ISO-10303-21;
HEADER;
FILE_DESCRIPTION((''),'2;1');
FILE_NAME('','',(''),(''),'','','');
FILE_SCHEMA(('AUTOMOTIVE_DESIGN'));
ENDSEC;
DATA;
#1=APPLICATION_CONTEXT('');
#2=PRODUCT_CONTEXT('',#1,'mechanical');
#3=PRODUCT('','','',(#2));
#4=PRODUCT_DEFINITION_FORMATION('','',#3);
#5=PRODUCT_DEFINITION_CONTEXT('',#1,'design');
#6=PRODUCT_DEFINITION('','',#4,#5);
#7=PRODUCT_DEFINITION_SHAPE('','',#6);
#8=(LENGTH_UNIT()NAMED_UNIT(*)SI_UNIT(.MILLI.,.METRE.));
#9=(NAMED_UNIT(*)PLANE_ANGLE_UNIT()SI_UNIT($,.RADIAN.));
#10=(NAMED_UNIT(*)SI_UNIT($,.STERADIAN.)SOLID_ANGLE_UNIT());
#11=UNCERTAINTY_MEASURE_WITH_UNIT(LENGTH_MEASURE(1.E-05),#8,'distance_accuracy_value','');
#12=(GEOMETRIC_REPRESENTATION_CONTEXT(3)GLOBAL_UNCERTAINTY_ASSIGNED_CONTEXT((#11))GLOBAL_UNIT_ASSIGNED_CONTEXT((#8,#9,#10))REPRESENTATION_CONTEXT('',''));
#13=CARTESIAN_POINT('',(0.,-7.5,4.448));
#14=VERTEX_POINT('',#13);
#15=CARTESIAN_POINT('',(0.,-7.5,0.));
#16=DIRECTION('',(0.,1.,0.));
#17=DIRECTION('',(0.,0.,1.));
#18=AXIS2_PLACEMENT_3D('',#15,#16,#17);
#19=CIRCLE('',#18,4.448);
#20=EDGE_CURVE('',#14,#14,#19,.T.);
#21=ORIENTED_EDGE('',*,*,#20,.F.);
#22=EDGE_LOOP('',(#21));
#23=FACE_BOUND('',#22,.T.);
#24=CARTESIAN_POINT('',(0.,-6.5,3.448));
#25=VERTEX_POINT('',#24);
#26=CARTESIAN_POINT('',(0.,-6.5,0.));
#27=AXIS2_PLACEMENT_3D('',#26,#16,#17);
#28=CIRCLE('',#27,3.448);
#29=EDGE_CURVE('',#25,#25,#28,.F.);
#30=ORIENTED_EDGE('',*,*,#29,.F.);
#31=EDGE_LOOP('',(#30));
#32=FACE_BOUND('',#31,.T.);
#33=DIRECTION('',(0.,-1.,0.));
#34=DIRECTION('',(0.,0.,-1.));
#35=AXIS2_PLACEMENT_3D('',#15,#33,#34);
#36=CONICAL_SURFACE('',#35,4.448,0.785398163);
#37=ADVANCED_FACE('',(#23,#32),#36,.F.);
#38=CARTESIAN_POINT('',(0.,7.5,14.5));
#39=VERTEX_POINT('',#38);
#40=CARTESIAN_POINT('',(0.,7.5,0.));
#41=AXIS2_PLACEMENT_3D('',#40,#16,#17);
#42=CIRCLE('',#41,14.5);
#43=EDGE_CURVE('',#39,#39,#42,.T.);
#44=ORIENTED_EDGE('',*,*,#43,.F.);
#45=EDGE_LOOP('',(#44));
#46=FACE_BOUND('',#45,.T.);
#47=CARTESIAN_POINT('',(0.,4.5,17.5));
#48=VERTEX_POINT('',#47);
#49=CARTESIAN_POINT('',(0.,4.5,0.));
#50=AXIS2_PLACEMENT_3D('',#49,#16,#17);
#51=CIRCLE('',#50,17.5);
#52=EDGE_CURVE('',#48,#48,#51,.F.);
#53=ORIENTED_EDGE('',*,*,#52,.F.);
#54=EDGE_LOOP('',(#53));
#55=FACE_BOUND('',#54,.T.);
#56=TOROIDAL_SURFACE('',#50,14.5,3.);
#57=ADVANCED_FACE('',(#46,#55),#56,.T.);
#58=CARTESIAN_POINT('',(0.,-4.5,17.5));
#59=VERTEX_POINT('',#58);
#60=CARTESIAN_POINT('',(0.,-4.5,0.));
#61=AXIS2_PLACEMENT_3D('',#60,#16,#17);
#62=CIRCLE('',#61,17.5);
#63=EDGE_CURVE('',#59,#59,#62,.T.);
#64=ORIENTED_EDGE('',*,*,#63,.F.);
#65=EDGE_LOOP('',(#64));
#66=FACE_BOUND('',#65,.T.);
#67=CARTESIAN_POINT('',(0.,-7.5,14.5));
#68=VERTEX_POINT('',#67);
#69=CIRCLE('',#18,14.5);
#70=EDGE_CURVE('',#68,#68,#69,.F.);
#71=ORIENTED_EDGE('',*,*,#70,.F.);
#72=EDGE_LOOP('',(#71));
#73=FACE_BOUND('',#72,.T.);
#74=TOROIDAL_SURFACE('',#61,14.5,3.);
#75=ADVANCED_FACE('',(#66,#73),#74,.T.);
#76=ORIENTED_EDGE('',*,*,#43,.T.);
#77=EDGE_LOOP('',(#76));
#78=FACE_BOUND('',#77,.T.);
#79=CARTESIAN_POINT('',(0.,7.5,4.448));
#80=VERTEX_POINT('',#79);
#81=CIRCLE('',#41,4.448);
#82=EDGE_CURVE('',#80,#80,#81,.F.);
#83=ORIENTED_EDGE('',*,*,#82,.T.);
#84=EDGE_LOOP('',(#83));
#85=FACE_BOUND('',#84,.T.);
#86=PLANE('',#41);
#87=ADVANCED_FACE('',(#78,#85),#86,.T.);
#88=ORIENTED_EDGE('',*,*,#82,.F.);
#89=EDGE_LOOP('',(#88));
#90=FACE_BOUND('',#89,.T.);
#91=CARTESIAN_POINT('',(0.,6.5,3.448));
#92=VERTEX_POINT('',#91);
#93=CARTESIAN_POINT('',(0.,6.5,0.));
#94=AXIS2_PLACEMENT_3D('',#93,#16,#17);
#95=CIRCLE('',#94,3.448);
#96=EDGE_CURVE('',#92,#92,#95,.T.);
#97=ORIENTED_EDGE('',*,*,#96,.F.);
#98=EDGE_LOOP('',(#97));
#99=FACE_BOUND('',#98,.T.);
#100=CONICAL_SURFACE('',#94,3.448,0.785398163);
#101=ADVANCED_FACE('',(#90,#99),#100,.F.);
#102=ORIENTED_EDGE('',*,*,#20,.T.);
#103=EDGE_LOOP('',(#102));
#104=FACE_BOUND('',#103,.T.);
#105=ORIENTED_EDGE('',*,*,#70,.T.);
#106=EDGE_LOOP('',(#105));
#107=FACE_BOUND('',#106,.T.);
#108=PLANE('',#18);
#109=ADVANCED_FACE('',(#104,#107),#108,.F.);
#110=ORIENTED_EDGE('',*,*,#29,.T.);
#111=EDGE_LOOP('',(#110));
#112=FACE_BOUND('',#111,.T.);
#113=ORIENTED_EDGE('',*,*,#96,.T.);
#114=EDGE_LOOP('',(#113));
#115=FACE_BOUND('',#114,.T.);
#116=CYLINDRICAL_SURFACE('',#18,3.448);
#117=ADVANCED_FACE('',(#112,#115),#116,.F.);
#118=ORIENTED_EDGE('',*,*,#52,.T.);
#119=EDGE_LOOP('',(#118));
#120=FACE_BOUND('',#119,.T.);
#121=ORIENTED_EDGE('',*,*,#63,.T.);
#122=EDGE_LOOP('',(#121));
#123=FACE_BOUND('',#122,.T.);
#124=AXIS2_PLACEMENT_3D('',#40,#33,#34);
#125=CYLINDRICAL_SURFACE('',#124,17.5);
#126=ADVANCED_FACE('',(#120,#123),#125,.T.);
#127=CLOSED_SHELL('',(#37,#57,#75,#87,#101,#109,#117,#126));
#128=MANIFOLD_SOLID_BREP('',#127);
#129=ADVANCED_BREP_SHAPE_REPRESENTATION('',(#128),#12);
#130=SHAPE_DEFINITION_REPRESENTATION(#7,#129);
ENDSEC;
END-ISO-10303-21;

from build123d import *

# Parameters (mm, degrees)
SKETCH2_R               = 17.5
BOSS_EXTRUDE1_DEPTH     = 7.5
FILLET1_R               = 3
CUT_EXTRUDE1_DEPTH      = 26.860201082
CUT_EXTRUDE1_DEPTH_BACK = 26.860201082
SKETCH4_R               = 3.448
CHAMFER1_SIZE           = 1


with BuildPart() as part:
    # Sketch2 → Boss-Extrude1 (new, symmetric)
    with BuildSketch(Plane(origin=(0, 0, 0), x_dir=(1, 0, 0), z_dir=(0, 1, 0))):
        Circle(SKETCH2_R)
    extrude(amount=BOSS_EXTRUDE1_DEPTH, both=True)

    # Fillet1
    fillet1_edges = [part.edges().sort_by_distance(p)[0] for p in [
        (-17.5, -7.5, 0),
        (-17.5, 7.5, 0),
    ]]
    fillet(fillet1_edges, radius=FILLET1_R)

    # Sketch4 → Cut-Extrude1 (cut, two sides: drawn at the far end of the back side and taken through both)
    with BuildSketch(Plane(origin=(0, 0, 0), x_dir=(1, 0, 0), z_dir=(0, 1, 0)).offset(-CUT_EXTRUDE1_DEPTH_BACK)):
        Circle(SKETCH4_R)
    extrude(amount=CUT_EXTRUDE1_DEPTH + CUT_EXTRUDE1_DEPTH_BACK, mode=Mode.SUBTRACT)

    # Chamfer1
    chamfer1_edges = [part.edges().sort_by_distance(p)[0] for p in [
        (-3.448, 7.5, 0),
        (-3.448, -7.5, 0),
    ]]
    chamfer(chamfer1_edges, length=CHAMFER1_SIZE)


solid = part.part
